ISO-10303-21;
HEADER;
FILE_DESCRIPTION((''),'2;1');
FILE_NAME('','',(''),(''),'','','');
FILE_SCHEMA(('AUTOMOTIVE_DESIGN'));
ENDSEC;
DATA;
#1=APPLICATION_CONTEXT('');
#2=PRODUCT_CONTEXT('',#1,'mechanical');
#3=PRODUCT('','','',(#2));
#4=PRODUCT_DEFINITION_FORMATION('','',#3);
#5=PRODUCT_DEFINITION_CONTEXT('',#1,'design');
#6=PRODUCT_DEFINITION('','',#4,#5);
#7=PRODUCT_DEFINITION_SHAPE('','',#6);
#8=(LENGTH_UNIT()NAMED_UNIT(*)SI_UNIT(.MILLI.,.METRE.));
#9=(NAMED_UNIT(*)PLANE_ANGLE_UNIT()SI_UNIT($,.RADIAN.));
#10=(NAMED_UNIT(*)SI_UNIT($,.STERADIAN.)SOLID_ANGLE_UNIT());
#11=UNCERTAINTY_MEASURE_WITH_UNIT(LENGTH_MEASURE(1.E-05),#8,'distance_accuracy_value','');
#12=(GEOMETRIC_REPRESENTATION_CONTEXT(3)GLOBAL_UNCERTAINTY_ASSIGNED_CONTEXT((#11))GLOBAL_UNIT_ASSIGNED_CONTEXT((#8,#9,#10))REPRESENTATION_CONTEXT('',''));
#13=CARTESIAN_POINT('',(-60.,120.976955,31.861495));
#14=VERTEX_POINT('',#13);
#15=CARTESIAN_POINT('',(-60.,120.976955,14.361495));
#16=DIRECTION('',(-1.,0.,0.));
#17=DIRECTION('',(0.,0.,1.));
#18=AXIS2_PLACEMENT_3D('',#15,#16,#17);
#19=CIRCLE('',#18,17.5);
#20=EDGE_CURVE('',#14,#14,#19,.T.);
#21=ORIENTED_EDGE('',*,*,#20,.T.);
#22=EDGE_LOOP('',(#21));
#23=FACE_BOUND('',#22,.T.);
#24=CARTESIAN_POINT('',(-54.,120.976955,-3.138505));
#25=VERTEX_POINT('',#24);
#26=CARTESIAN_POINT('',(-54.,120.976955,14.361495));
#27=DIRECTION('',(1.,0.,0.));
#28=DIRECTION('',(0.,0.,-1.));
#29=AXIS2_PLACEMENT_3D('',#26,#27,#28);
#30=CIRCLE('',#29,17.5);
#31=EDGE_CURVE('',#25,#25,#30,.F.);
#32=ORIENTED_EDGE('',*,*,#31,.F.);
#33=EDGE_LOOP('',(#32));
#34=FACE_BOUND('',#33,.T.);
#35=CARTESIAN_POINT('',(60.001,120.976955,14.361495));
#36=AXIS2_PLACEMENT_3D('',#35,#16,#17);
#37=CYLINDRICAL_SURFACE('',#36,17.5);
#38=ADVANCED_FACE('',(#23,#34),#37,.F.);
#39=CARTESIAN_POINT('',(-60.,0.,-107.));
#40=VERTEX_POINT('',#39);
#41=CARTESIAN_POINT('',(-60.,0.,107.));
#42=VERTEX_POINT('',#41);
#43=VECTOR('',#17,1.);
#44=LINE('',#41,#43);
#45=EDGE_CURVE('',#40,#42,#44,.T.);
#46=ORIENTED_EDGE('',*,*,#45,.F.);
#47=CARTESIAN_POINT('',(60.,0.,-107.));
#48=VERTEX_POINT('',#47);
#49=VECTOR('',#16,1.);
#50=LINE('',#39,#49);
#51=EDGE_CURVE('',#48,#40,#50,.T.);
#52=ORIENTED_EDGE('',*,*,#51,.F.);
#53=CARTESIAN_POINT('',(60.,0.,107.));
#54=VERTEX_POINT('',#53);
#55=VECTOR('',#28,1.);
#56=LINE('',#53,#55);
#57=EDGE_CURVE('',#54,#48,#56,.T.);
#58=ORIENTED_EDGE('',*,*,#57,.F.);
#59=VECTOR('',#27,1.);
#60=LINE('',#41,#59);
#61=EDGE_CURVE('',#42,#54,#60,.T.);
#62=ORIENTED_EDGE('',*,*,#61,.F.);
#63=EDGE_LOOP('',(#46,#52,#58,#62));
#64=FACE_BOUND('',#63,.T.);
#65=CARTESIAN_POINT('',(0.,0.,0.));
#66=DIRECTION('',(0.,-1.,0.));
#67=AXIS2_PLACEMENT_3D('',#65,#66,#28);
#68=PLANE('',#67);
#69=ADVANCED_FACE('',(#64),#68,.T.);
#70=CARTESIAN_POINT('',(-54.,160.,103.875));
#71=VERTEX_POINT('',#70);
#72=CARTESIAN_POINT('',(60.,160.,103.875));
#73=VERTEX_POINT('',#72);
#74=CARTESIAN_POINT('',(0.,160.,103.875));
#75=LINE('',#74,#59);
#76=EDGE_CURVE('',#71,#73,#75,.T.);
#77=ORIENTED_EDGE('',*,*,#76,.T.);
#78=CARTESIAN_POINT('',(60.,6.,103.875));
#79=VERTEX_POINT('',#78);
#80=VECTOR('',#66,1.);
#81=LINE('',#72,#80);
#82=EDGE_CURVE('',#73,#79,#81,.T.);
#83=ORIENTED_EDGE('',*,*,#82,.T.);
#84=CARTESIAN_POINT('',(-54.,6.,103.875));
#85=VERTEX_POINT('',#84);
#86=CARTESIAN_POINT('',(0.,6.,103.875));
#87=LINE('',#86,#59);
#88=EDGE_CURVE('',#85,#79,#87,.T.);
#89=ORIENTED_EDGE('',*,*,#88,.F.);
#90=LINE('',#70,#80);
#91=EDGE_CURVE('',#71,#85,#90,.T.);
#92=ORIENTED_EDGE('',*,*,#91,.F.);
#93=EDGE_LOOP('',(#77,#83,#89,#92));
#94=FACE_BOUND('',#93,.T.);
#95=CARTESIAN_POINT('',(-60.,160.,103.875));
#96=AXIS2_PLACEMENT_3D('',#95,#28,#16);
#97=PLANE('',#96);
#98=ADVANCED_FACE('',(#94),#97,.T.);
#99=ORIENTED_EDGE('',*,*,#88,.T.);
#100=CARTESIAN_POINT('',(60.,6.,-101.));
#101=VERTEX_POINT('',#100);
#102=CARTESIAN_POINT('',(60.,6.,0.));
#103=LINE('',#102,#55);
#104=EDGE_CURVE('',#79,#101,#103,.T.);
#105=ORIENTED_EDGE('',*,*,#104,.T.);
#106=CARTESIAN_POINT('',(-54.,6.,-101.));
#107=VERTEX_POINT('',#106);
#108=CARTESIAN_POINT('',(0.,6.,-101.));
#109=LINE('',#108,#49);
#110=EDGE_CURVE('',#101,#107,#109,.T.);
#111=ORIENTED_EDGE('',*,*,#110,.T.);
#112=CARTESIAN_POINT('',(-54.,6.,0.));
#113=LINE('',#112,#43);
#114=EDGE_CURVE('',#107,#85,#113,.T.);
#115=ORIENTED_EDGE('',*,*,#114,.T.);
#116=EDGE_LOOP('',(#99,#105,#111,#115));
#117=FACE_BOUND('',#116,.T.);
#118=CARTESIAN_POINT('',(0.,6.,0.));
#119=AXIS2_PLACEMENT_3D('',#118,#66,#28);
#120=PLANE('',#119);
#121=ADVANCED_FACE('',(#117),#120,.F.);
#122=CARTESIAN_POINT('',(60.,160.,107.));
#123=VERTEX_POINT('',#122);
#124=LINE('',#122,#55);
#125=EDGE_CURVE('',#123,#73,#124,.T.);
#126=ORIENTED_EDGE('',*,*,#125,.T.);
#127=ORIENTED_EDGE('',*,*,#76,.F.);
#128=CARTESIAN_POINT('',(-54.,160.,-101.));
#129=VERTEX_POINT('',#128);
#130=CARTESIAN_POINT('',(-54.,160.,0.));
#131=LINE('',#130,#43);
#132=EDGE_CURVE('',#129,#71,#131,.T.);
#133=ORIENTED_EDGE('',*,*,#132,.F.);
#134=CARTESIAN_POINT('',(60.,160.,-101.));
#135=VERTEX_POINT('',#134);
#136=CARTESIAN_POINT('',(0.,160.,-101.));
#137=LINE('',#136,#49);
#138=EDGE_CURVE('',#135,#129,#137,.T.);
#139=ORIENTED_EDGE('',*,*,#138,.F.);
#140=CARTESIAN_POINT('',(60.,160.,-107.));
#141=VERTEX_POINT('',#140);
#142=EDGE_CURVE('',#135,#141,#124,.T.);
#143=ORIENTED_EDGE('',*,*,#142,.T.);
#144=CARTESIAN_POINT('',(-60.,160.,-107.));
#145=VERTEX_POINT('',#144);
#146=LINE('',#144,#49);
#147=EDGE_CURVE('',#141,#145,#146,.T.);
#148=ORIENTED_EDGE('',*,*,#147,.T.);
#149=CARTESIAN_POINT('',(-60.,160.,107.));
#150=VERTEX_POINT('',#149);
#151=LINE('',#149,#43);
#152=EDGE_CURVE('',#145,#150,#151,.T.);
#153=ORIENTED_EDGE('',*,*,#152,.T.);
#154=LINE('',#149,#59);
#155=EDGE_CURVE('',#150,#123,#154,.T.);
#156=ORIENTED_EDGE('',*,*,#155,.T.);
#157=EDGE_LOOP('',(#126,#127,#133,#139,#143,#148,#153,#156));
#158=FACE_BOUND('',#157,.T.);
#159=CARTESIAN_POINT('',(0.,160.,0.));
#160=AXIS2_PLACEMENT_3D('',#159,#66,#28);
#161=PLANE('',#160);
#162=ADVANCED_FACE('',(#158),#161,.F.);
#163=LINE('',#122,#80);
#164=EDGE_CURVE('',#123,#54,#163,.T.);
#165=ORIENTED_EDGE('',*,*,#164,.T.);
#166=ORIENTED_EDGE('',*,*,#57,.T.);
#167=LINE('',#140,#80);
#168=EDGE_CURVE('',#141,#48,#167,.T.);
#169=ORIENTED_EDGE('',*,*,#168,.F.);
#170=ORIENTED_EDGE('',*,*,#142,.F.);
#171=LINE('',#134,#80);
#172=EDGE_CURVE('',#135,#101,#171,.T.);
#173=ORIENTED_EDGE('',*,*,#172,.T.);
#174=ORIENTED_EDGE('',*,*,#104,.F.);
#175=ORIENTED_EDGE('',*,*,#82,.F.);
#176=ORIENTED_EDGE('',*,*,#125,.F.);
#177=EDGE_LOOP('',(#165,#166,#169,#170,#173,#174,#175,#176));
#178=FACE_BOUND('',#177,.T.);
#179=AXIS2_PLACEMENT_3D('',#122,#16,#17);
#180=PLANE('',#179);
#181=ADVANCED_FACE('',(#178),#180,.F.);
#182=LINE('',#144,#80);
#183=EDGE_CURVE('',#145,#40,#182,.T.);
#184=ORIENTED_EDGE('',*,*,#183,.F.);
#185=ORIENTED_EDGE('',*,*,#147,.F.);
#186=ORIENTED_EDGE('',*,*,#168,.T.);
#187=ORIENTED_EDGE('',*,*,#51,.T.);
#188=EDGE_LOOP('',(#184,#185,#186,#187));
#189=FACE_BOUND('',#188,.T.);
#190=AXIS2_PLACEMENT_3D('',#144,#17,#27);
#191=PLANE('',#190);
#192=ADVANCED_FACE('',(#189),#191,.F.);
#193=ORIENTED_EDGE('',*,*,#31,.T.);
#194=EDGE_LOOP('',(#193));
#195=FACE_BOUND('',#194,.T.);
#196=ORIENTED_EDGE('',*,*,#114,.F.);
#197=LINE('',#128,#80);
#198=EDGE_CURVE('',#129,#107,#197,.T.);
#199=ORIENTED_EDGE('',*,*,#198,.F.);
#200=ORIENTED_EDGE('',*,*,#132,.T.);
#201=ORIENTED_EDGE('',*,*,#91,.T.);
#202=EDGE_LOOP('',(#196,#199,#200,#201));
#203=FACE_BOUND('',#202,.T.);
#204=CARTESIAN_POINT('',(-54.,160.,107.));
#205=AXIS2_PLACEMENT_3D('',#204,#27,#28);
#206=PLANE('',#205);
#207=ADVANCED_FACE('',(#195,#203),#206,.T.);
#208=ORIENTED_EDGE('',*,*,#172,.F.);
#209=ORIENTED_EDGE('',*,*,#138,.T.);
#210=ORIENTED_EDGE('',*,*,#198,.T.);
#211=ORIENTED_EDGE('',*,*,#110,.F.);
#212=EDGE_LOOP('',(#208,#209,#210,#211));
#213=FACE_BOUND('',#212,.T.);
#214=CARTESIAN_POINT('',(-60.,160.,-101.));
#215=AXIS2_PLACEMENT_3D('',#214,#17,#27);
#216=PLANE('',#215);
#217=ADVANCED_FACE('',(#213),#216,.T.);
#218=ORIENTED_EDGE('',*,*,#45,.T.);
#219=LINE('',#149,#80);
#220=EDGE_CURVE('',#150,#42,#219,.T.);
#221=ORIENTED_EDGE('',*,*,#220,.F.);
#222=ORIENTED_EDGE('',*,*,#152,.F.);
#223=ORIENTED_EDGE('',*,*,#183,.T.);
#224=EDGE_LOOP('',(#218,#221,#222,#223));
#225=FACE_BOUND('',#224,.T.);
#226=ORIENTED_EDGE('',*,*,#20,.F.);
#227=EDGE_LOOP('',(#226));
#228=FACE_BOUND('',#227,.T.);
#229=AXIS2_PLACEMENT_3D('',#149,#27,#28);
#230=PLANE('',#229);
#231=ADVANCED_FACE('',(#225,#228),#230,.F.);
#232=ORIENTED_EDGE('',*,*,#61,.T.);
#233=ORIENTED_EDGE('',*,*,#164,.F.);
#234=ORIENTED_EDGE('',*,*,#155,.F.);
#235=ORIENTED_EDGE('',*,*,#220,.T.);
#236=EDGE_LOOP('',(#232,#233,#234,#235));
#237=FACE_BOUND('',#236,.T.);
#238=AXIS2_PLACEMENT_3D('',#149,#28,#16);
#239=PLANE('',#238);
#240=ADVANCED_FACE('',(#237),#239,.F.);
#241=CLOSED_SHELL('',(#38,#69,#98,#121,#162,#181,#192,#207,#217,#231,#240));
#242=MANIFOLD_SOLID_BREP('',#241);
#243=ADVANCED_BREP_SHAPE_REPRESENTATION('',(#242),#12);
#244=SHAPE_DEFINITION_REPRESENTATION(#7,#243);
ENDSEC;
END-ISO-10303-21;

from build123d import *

# Parameters (mm, degrees)
SKETCH1_W                 = 120
SKETCH1_H                 = 214
BOSS_EXTRUDE1_DEPTH       = 160
SHELL1_T                  = -6
SHELL1_THICKNESS_3_FACE_W = 114
SHELL1_THICKNESS_3_FACE_H = 154
SHELL1_THICKNESS_3_DEPTH  = 2.875
CUT_EXTRUDE1_REACH        = 228.824
SKETCH4_R                 = 17.5


with BuildPart() as part:
    # Sketch1 → Boss-Extrude1 (new body)
    with BuildSketch(Plane(origin=(0, 0, 0), x_dir=(1, 0, 0), z_dir=(0, 1, 0))):
        Rectangle(SKETCH1_W, SKETCH1_H)
    extrude(amount=BOSS_EXTRUDE1_DEPTH)

    # Shell1
    shell1_openings = [part.faces().sort_by_distance(p)[0] for p in [
        (0, 160, 0),
        (60, 80, 0),
    ]]
    offset(amount=SHELL1_T, openings=shell1_openings, kind=Kind.INTERSECTION)

    # Shell1 thickness 3 face (on inner face of the shell) → Shell1 thickness 3 (cut)
    with BuildSketch(Plane(origin=(3, 83, 101), x_dir=(1, 0, 0), z_dir=(0, 0, 1))):
        Rectangle(SHELL1_THICKNESS_3_FACE_W, SHELL1_THICKNESS_3_FACE_H)
    extrude(amount=SHELL1_THICKNESS_3_DEPTH, mode=Mode.SUBTRACT)

    # Sketch4 → Cut-Extrude1 (cut, up to next)
    with BuildSketch(Plane.ZY.offset(60), mode=Mode.PRIVATE) as cut_extrude1_sk1:
        with Locations((14.361495045, 120.976954776)):
            Circle(SKETCH4_R)
    cut_extrude1_tool1 = extrude(cut_extrude1_sk1.sketch, amount=-CUT_EXTRUDE1_REACH, mode=Mode.PRIVATE) & part.part
    add(cut_extrude1_tool1.solids().sort_by_distance((-60, 120.976955, 14.361495))[0], mode=Mode.SUBTRACT)


solid = part.part
